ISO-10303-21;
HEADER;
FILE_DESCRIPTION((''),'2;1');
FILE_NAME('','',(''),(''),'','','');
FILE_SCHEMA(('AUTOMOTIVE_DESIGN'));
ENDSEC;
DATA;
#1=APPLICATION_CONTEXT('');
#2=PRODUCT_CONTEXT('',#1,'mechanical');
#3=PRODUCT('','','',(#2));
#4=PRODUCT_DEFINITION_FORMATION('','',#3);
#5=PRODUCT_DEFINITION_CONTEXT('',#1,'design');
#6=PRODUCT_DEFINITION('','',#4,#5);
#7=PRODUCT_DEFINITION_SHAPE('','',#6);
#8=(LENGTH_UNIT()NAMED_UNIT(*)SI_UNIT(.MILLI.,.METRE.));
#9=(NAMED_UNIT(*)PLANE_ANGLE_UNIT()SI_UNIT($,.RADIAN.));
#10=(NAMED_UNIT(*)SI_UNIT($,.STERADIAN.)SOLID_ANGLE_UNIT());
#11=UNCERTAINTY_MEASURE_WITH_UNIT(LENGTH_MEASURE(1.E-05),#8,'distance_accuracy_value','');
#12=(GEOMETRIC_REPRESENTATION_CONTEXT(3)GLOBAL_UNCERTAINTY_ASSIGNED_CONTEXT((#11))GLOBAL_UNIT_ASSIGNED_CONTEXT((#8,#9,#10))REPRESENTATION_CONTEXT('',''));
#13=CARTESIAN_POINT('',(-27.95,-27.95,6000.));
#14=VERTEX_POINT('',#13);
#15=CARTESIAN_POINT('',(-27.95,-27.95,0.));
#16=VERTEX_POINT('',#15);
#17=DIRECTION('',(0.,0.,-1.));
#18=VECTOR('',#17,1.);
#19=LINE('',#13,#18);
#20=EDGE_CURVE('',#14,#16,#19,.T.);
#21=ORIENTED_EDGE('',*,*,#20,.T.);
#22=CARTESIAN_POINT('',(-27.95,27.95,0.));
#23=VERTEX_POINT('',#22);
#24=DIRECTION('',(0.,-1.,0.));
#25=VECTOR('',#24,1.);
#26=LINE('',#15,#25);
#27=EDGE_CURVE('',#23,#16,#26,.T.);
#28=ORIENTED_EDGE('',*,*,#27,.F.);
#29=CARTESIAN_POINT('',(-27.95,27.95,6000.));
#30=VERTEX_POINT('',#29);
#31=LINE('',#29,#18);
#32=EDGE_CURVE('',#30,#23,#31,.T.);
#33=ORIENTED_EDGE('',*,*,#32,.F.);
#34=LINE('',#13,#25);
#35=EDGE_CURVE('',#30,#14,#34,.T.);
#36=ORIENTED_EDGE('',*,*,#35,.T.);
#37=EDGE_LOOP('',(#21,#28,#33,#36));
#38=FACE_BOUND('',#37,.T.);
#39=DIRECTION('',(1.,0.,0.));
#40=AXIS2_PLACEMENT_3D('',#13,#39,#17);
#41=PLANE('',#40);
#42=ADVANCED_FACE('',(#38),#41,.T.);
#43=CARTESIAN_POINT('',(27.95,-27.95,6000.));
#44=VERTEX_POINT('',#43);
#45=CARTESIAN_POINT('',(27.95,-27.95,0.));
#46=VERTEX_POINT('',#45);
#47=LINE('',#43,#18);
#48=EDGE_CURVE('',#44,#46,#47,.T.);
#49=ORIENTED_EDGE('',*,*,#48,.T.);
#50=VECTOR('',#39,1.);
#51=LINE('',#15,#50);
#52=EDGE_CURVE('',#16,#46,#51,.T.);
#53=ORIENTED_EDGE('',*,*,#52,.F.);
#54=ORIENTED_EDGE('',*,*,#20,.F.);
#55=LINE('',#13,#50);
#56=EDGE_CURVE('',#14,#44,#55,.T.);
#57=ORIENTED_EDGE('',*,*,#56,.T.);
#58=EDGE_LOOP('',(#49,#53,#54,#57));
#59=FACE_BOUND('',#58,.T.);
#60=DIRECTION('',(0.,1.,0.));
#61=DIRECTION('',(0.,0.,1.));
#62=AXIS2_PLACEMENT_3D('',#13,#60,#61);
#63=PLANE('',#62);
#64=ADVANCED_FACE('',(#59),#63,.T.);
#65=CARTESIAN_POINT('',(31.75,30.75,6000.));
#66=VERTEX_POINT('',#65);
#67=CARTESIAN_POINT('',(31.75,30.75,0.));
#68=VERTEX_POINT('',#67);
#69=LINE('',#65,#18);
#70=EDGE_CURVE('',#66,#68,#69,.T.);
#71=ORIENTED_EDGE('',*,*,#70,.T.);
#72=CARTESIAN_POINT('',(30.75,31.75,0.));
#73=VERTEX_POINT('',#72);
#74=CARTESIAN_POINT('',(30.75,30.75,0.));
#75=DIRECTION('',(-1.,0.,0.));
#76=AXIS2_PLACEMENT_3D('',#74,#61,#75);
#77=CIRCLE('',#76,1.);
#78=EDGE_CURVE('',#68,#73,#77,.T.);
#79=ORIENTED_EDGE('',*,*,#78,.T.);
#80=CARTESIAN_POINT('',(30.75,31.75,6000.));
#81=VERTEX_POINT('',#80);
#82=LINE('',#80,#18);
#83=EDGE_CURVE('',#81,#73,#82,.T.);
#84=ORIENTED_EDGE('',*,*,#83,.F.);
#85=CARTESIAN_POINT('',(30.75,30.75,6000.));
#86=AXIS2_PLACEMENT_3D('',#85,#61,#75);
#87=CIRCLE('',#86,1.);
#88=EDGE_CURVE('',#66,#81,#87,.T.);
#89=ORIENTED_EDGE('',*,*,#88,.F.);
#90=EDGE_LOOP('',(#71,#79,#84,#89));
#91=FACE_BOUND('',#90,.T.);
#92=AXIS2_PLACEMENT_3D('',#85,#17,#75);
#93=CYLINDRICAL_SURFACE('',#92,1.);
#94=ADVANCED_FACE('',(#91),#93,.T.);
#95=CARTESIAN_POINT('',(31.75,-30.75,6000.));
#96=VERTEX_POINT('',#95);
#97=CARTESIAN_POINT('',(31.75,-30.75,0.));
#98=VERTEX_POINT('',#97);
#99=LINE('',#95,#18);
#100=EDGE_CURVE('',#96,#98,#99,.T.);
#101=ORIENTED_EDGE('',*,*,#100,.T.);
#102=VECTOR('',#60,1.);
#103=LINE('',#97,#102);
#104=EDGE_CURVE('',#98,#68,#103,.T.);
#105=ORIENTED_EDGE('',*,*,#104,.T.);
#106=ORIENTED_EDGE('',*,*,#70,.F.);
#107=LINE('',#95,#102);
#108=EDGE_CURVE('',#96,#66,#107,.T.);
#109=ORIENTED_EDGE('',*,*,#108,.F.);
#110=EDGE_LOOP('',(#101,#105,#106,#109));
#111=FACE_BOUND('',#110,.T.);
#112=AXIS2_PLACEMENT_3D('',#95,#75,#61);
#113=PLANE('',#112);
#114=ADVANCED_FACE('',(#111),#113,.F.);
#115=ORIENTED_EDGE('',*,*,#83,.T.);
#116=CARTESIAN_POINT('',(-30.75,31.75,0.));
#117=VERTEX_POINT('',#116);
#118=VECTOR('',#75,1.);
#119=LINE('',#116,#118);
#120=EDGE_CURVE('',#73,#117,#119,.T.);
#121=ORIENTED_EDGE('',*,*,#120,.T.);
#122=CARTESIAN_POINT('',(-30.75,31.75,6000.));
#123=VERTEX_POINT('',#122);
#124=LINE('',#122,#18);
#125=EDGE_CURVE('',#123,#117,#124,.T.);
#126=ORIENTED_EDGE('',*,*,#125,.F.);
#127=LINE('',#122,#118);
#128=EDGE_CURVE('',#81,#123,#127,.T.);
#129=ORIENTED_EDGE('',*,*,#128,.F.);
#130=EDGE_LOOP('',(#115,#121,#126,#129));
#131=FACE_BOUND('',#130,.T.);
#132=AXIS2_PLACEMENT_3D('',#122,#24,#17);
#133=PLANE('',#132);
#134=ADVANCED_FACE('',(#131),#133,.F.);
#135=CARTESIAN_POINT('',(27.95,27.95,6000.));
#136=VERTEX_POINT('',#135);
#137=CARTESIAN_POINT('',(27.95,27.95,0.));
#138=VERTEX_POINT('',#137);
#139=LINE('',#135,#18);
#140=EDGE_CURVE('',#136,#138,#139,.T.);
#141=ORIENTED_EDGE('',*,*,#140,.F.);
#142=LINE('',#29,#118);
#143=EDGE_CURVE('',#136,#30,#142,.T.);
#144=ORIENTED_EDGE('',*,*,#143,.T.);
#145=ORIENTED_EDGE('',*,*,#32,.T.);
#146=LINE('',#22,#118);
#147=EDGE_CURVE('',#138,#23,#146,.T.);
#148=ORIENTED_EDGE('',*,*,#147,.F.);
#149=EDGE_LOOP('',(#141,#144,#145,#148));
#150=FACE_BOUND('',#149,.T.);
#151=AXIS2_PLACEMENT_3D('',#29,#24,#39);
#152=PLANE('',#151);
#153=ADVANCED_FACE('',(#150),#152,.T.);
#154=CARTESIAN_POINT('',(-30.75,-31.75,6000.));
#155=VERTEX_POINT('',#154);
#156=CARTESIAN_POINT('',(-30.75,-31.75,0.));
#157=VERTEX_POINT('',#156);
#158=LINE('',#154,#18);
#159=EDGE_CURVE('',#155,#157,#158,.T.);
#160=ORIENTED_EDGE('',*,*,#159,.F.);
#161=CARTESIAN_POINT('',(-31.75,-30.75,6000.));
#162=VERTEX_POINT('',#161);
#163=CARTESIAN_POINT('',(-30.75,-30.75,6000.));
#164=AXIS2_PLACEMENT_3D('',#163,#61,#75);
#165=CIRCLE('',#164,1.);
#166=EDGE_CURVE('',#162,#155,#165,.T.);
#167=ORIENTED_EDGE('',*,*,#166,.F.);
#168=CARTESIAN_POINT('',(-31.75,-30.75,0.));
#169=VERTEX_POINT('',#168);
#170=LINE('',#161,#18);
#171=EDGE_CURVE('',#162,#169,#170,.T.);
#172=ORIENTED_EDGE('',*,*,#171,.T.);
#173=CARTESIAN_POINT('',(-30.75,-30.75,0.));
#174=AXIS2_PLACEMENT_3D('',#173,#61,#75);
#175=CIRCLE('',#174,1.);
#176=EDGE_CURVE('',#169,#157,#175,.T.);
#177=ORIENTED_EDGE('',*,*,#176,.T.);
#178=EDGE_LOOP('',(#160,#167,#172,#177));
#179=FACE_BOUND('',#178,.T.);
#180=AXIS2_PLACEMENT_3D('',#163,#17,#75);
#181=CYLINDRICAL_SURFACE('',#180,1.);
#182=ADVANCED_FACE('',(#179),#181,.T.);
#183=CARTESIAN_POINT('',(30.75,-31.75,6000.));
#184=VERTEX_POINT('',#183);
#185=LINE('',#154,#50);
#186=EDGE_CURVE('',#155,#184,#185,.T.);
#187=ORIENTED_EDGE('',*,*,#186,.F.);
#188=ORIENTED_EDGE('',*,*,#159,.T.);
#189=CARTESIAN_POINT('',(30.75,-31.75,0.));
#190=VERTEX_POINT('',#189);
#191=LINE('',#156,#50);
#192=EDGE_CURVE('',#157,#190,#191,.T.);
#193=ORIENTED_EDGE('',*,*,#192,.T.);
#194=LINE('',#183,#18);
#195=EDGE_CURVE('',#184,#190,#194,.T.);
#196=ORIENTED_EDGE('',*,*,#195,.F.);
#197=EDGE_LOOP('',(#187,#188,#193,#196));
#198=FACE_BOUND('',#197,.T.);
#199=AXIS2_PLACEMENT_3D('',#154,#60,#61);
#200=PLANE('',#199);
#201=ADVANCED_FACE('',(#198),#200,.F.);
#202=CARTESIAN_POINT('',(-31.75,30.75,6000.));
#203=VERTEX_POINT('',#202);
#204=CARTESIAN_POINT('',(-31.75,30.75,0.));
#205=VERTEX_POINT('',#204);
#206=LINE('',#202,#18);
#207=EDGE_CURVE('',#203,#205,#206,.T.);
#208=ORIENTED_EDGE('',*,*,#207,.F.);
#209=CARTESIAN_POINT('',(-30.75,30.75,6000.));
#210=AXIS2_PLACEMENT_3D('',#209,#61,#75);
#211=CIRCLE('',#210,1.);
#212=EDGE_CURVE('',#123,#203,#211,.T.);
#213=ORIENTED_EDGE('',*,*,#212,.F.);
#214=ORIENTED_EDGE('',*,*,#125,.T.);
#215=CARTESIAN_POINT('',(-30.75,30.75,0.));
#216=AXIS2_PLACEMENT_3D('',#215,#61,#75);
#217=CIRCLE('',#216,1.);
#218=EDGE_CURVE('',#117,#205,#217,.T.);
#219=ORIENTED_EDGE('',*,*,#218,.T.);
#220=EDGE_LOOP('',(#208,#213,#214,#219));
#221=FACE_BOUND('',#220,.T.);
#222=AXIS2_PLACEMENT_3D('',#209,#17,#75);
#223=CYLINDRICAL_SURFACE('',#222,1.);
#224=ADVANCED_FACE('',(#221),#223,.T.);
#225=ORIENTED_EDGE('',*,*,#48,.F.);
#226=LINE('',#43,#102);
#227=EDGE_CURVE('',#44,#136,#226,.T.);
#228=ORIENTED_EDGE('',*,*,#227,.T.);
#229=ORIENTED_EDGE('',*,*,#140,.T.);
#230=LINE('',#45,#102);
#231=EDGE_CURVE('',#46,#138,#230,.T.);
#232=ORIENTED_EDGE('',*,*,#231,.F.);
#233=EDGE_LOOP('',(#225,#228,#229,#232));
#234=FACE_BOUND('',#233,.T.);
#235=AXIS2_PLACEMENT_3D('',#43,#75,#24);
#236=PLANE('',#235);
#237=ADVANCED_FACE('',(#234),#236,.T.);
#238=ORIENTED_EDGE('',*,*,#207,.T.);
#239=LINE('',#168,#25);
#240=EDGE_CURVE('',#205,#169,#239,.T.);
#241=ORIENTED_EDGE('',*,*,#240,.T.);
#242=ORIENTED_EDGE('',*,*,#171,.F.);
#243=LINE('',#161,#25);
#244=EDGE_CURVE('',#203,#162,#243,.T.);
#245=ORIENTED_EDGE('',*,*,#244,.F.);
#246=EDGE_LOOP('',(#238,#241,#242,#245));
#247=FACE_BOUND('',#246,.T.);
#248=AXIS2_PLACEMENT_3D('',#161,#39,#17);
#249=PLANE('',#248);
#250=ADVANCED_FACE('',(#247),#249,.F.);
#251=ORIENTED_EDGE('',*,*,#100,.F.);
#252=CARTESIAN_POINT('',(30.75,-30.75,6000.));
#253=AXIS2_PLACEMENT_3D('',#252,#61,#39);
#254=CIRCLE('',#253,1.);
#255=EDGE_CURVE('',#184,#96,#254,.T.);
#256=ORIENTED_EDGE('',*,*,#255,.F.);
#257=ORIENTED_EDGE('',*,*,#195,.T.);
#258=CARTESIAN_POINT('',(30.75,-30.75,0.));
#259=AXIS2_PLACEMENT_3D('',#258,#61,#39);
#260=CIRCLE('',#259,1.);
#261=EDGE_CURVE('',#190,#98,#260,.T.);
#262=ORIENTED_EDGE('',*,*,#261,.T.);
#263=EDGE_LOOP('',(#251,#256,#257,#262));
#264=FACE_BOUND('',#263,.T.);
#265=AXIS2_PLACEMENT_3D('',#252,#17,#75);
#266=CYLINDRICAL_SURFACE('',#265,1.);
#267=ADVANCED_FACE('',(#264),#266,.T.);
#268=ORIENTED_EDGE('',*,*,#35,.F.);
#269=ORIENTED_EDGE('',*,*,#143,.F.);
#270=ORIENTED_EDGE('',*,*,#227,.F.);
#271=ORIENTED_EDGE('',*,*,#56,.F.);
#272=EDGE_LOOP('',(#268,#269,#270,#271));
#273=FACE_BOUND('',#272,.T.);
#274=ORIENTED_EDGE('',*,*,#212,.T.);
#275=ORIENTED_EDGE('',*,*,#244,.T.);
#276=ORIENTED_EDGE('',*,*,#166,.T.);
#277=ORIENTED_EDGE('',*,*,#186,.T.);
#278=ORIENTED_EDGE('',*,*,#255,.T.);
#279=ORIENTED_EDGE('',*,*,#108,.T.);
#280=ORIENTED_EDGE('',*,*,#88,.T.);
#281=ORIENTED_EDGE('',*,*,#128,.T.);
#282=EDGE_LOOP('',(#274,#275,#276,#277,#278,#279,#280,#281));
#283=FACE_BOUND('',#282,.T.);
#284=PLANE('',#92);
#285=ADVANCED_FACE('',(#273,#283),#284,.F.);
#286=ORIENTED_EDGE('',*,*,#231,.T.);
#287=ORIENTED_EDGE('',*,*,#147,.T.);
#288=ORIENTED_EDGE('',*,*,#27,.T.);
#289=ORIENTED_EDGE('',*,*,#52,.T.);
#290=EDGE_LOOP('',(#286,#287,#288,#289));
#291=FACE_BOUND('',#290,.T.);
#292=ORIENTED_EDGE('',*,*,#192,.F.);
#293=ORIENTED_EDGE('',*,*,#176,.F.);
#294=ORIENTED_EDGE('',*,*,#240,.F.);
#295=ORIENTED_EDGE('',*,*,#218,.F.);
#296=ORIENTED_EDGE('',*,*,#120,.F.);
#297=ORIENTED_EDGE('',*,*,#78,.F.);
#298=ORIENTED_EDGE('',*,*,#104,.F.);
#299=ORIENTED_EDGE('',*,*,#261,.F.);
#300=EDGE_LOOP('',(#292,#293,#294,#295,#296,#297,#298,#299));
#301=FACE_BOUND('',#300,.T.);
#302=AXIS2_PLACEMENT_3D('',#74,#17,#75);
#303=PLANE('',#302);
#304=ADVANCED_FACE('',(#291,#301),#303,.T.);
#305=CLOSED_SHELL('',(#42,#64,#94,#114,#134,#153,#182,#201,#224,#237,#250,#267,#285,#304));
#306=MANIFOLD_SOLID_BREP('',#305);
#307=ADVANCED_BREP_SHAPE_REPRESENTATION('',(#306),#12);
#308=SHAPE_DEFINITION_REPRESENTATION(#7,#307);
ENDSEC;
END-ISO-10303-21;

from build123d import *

# Parameters (mm, degrees)
CROQUIS1_W              = 55.9
CROQUIS1_H              = 55.9
SALIENTE_EXTRUIR1_DEPTH = 6000


with BuildPart() as part:
    # Croquis1 → Saliente-Extruir1 (new body)
    with BuildSketch(Plane.XY):
        with BuildLine():
            Line((-30.75, -31.75), (30.75, -31.75))
            ThreePointArc((30.75, -31.75), (31.457106781, -31.457106781), (31.75, -30.75))
            Line((31.75, -30.75), (31.75, 30.75))
            ThreePointArc((31.75, 30.75), (31.457106781, 31.457106781), (30.75, 31.75))
            Line((30.75, 31.75), (-30.75, 31.75))
            ThreePointArc((-30.75, 31.75), (-31.457106781, 31.457106781), (-31.75, 30.75))
            Line((-31.75, 30.75), (-31.75, -30.75))
            ThreePointArc((-31.75, -30.75), (-31.457106781, -31.457106781), (-30.75, -31.75))
        make_face()
        Rectangle(CROQUIS1_W, CROQUIS1_H, mode=Mode.SUBTRACT)
    extrude(amount=SALIENTE_EXTRUIR1_DEPTH)


solid = part.part
